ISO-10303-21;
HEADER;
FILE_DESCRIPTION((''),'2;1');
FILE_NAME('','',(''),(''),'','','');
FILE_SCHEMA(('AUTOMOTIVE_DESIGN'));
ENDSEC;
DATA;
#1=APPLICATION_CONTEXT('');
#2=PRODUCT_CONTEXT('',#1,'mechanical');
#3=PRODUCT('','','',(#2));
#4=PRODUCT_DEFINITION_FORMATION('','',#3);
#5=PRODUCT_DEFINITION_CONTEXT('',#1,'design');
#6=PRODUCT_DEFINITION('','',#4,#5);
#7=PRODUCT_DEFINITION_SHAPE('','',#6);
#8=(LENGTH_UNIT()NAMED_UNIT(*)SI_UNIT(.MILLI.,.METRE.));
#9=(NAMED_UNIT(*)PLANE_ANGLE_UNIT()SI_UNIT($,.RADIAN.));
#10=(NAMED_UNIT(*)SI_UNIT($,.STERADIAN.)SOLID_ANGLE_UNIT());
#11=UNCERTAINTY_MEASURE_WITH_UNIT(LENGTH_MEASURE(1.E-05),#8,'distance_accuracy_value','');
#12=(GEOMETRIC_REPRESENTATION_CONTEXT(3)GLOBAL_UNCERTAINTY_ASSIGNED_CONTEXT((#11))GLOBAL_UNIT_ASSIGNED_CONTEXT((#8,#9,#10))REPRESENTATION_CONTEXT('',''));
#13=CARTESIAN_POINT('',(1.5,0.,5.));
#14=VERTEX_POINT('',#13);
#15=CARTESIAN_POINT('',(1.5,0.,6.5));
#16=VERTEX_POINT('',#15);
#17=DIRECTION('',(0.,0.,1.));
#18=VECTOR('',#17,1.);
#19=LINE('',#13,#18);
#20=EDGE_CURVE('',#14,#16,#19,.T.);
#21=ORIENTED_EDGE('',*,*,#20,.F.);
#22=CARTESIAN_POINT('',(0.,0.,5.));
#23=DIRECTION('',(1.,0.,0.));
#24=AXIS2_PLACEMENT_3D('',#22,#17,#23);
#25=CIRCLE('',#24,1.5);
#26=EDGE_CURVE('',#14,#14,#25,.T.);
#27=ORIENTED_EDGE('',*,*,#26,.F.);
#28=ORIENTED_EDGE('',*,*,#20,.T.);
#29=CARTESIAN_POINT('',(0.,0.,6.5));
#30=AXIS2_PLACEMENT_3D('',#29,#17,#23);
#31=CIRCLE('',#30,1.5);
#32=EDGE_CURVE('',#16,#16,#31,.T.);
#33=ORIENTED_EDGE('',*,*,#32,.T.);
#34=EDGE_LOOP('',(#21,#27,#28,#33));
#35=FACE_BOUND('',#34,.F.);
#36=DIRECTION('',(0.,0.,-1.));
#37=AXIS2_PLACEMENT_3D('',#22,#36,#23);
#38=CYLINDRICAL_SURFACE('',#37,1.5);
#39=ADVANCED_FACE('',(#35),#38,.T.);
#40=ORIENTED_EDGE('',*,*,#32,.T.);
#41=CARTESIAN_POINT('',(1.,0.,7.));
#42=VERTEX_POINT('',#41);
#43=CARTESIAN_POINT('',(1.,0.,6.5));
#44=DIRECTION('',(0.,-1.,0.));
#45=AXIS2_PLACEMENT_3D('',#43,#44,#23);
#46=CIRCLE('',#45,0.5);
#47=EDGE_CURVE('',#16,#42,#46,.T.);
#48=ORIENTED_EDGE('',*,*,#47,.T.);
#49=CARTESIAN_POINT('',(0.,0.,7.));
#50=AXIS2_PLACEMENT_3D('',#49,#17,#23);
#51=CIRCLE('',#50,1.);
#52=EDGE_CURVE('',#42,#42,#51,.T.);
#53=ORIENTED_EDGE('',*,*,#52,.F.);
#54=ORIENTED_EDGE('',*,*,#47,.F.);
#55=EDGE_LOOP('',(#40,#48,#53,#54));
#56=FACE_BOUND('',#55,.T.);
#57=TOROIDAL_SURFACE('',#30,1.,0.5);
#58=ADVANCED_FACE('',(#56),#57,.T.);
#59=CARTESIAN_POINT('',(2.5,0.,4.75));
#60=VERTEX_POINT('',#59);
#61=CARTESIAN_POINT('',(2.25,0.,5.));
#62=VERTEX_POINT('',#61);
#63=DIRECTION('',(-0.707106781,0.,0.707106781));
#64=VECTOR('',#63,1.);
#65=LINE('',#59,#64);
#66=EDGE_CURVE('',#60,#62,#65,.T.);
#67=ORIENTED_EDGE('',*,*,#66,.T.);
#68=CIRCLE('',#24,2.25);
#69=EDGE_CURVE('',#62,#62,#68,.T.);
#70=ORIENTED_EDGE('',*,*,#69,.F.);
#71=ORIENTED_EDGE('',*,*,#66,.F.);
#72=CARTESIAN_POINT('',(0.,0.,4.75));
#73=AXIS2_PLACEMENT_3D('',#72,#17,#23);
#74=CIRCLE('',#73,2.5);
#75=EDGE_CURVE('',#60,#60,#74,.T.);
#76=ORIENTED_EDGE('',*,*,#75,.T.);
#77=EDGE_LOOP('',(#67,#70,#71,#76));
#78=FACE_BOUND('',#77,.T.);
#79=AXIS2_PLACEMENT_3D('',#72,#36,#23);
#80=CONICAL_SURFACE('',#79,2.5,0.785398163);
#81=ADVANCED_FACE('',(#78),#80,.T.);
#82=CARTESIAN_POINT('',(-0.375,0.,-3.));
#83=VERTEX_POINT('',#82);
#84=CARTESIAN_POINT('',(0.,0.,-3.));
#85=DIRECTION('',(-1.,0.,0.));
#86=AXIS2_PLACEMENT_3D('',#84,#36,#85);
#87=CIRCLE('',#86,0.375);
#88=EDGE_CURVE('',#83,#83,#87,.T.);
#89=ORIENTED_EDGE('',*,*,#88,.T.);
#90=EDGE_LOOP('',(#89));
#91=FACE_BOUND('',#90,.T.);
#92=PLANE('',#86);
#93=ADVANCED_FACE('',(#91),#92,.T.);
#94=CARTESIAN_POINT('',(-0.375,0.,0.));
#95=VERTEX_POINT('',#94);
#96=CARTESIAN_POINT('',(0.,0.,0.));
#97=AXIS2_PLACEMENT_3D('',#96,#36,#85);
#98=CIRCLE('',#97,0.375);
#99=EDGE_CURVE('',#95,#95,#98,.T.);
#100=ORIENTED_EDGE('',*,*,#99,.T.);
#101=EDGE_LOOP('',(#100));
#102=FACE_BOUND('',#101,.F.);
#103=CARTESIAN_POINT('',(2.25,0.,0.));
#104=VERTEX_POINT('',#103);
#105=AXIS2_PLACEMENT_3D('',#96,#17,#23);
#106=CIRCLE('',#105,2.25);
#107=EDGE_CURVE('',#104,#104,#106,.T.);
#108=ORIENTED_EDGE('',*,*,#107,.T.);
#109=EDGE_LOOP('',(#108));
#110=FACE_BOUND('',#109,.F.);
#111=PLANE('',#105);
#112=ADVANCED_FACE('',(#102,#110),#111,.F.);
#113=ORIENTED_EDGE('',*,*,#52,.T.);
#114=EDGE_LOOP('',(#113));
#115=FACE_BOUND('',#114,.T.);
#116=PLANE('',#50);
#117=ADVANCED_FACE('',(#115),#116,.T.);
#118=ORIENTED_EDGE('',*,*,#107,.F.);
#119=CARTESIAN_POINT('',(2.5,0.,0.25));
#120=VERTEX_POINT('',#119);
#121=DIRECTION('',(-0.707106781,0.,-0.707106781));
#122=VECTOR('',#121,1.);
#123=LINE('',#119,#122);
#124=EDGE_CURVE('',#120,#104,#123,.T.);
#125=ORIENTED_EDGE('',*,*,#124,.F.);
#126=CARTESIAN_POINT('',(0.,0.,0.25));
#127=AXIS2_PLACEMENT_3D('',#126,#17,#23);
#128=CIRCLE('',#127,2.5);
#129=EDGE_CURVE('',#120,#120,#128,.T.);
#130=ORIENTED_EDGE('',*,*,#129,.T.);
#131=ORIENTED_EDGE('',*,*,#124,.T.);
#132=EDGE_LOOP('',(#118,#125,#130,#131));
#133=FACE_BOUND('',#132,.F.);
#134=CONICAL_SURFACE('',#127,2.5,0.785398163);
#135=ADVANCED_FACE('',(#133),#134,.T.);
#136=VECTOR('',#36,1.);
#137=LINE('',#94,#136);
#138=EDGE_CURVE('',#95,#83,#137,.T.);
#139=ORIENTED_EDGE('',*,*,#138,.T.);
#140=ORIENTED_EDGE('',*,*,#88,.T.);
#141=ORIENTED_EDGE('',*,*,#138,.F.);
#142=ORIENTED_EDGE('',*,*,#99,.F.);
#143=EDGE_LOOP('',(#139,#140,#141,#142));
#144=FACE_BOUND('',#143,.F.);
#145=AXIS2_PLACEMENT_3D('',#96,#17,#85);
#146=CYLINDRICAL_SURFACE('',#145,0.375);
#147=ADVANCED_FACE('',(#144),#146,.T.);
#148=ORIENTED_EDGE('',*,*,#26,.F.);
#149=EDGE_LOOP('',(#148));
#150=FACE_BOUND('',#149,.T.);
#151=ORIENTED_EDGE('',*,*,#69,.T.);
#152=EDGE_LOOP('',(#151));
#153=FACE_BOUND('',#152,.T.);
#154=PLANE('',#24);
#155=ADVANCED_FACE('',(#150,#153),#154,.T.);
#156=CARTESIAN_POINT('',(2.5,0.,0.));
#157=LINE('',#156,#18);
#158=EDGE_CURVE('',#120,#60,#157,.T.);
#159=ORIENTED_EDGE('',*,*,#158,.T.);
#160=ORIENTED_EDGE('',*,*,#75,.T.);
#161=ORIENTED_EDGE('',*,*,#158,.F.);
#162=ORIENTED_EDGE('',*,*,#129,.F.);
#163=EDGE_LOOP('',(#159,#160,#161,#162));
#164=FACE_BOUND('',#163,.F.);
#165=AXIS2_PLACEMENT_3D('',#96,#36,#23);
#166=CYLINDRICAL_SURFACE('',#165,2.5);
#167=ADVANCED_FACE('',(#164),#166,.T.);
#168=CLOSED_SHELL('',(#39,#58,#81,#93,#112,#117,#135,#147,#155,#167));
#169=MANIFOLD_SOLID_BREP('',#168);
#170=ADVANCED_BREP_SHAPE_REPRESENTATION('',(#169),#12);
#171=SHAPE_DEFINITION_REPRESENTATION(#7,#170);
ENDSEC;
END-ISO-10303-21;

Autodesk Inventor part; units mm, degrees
ref_plane "YZ Plane" through (0, 0, 0) normal (1, 0, 0) x (0, 1, 0)
ref_plane "XZ Plane" through (0, 0, 0) normal (0, 1, 0) x (-1, 0, 0)
ref_plane "XY Plane" through (0, 0, 0) normal (0, 0, 1) x (1, 0, 0)
sketch "Sketch1" plane through (0, 0, 0) normal (0, 0, 1) x (1, 0, 0)
  circle A0 centre (0, 0) radius 2.5
  dimension "d0" = 5
extrude "Extrusion1" add sketch "Sketch1" along normal blind 5
chamfer "Chamfer1" distance 0.25 angle 45 2 edges at (-2.5, 0, 5) (-2.5, 0, 0)
sketch "Sketch2" plane through (0, 0, 5) normal (0, 0, 1) x (1, 0, 0)
  circle A0 centre (0, 0) radius 1.5
  dimension "d12" = 3
extrude "Extrusion2" add sketch "Sketch2" along normal blind 2
fillet "Fillet1" radius 0.5 1 edges at (-1.5, 0, 7)
sketch "Sketch3" plane through (0, 0, 0) normal (0, 0, -1) x (-1, 0, 0)
  circle A0 centre (0, 0) radius 0.375
  dimension "d9" = 0.75
extrude "Extrusion3" add sketch "Sketch3" along normal blind 3
properties part number "DC motor_CPY1"
